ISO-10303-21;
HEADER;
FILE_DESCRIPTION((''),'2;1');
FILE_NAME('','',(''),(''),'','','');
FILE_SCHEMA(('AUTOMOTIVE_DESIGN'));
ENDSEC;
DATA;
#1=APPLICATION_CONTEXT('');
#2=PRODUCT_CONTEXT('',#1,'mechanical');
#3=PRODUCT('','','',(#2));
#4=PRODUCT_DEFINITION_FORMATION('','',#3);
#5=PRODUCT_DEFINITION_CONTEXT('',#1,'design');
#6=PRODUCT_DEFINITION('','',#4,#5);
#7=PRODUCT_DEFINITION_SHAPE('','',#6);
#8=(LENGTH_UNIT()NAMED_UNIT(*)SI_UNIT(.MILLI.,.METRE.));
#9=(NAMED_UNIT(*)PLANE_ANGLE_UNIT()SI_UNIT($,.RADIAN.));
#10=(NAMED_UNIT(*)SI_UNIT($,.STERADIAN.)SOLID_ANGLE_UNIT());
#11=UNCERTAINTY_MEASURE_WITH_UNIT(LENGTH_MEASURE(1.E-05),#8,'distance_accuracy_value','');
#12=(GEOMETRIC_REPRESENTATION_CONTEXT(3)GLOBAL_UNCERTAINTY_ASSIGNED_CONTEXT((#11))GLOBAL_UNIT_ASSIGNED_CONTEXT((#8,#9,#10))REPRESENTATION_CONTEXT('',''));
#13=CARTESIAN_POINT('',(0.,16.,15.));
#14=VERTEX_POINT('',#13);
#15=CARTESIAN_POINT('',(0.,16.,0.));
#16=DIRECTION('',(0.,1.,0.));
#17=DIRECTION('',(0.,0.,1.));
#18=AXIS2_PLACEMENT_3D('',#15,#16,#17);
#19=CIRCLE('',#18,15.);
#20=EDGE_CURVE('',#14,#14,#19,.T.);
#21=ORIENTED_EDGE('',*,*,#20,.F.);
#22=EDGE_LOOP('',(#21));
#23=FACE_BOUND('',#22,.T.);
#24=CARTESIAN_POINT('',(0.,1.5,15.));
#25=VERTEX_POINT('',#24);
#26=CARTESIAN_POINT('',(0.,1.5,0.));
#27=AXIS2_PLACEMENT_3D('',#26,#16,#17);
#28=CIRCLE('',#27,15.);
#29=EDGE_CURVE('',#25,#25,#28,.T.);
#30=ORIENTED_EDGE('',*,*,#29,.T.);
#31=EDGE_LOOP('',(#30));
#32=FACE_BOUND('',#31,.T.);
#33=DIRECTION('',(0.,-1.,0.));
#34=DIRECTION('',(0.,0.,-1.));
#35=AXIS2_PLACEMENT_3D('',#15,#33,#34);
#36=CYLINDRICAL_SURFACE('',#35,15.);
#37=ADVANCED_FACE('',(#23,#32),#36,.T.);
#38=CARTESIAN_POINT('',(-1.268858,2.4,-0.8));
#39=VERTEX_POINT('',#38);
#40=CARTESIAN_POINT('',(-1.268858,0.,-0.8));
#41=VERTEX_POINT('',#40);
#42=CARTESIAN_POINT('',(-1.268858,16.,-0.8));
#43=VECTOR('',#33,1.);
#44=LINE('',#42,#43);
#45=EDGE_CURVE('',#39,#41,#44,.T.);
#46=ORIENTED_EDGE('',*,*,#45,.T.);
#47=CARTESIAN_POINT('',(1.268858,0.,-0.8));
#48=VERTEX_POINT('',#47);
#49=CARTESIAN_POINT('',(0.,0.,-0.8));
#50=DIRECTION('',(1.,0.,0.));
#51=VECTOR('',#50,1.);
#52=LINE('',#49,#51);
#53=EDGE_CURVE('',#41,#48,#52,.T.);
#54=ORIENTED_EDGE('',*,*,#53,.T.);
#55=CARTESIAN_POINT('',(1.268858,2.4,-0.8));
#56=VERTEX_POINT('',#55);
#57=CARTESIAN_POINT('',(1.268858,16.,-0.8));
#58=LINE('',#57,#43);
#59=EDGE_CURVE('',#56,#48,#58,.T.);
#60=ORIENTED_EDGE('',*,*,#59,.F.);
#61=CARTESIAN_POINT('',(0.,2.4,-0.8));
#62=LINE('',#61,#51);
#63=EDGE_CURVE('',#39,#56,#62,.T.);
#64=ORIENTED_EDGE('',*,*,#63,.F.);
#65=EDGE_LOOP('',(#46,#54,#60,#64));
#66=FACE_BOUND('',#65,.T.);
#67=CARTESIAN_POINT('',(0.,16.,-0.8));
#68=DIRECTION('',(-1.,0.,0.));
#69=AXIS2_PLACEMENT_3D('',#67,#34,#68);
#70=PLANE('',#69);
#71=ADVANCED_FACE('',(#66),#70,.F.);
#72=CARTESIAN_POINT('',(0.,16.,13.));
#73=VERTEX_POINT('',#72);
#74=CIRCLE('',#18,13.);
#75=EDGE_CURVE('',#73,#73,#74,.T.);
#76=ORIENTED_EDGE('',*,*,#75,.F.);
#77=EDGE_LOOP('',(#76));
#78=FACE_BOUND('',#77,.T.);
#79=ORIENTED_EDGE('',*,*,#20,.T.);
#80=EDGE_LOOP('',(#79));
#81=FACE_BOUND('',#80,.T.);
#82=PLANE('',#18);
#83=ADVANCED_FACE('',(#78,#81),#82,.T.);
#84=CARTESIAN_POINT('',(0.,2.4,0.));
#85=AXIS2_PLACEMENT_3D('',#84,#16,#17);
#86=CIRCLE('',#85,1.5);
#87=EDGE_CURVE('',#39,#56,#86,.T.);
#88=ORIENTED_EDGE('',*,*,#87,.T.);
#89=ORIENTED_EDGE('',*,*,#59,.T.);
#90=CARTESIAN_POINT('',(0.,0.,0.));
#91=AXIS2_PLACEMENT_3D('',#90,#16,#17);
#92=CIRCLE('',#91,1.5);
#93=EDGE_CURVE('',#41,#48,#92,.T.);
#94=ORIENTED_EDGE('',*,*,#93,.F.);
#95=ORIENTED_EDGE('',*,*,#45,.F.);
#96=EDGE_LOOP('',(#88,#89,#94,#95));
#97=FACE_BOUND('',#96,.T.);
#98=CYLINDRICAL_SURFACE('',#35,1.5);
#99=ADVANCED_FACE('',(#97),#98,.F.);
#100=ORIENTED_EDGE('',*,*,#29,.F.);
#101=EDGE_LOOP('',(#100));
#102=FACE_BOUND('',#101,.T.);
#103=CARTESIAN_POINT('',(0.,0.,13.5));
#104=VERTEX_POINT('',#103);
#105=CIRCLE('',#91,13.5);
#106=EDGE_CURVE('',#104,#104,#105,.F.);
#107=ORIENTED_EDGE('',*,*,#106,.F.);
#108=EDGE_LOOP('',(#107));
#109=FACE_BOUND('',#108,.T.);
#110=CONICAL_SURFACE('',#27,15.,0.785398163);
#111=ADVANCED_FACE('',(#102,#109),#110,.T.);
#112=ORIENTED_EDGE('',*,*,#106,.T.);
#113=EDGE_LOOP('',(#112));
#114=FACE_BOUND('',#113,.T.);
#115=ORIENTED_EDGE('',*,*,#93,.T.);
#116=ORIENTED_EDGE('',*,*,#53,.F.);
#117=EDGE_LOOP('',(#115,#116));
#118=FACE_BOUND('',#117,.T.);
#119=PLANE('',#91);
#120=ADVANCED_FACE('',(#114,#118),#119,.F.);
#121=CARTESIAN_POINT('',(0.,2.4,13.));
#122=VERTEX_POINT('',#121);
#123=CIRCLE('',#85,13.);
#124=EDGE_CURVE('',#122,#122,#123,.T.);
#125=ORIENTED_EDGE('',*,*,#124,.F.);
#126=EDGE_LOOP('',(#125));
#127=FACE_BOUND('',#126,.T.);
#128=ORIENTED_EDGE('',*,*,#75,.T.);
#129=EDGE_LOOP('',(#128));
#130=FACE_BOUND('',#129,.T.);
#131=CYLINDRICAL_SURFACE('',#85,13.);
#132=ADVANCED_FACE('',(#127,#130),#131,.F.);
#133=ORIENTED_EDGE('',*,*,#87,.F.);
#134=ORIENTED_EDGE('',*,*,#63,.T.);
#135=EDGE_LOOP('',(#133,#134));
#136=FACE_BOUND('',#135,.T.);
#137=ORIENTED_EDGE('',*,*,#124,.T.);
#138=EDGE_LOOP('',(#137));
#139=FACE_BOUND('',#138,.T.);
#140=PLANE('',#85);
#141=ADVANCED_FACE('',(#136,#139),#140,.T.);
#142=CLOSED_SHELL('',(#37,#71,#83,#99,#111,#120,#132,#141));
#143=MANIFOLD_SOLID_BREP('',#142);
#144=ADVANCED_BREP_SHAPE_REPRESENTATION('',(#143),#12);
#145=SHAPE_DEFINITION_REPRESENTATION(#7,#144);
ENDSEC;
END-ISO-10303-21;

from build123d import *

# Parameters (mm, degrees)
SKETCH1_R           = 15
BOSS_EXTRUDE1_DEPTH = 16
SKETCH2_R           = 13
CUT_EXTRUDE1_DEPTH  = 13.6
CHAMFER1_SIZE       = 1.5


with BuildPart() as part:
    # Sketch1 → Boss-Extrude1 (new body)
    with BuildSketch(Plane(origin=(0, 0, 0), x_dir=(1, 0, 0), z_dir=(0, 1, 0))):
        with Locations(Location((0, 0, 0), (0, 0, 270))):
            Circle(SKETCH1_R)
        with BuildLine():
            Line((-1.268857754, 0.8), (1.268857754, 0.8))
            ThreePointArc((1.268857754, 0.8), (0, -1.5), (-1.268857754, 0.8))
        make_face(mode=Mode.SUBTRACT)
    extrude(amount=BOSS_EXTRUDE1_DEPTH)

    # Sketch2 → Cut-Extrude1 (cut)
    with BuildSketch(Plane(origin=(0, 16, 0), x_dir=(1, 0, 0), z_dir=(0, 1, 0))):
        with Locations(Location((0, 0, 0), (0, 0, 270))):
            Circle(SKETCH2_R)
    extrude(amount=-CUT_EXTRUDE1_DEPTH, mode=Mode.SUBTRACT)

    # Chamfer1
    chamfer1_edges = [part.edges().sort_by_distance(p)[0] for p in [
        (0, 0, -15),
    ]]
    chamfer(chamfer1_edges, length=CHAMFER1_SIZE)


solid = part.part
